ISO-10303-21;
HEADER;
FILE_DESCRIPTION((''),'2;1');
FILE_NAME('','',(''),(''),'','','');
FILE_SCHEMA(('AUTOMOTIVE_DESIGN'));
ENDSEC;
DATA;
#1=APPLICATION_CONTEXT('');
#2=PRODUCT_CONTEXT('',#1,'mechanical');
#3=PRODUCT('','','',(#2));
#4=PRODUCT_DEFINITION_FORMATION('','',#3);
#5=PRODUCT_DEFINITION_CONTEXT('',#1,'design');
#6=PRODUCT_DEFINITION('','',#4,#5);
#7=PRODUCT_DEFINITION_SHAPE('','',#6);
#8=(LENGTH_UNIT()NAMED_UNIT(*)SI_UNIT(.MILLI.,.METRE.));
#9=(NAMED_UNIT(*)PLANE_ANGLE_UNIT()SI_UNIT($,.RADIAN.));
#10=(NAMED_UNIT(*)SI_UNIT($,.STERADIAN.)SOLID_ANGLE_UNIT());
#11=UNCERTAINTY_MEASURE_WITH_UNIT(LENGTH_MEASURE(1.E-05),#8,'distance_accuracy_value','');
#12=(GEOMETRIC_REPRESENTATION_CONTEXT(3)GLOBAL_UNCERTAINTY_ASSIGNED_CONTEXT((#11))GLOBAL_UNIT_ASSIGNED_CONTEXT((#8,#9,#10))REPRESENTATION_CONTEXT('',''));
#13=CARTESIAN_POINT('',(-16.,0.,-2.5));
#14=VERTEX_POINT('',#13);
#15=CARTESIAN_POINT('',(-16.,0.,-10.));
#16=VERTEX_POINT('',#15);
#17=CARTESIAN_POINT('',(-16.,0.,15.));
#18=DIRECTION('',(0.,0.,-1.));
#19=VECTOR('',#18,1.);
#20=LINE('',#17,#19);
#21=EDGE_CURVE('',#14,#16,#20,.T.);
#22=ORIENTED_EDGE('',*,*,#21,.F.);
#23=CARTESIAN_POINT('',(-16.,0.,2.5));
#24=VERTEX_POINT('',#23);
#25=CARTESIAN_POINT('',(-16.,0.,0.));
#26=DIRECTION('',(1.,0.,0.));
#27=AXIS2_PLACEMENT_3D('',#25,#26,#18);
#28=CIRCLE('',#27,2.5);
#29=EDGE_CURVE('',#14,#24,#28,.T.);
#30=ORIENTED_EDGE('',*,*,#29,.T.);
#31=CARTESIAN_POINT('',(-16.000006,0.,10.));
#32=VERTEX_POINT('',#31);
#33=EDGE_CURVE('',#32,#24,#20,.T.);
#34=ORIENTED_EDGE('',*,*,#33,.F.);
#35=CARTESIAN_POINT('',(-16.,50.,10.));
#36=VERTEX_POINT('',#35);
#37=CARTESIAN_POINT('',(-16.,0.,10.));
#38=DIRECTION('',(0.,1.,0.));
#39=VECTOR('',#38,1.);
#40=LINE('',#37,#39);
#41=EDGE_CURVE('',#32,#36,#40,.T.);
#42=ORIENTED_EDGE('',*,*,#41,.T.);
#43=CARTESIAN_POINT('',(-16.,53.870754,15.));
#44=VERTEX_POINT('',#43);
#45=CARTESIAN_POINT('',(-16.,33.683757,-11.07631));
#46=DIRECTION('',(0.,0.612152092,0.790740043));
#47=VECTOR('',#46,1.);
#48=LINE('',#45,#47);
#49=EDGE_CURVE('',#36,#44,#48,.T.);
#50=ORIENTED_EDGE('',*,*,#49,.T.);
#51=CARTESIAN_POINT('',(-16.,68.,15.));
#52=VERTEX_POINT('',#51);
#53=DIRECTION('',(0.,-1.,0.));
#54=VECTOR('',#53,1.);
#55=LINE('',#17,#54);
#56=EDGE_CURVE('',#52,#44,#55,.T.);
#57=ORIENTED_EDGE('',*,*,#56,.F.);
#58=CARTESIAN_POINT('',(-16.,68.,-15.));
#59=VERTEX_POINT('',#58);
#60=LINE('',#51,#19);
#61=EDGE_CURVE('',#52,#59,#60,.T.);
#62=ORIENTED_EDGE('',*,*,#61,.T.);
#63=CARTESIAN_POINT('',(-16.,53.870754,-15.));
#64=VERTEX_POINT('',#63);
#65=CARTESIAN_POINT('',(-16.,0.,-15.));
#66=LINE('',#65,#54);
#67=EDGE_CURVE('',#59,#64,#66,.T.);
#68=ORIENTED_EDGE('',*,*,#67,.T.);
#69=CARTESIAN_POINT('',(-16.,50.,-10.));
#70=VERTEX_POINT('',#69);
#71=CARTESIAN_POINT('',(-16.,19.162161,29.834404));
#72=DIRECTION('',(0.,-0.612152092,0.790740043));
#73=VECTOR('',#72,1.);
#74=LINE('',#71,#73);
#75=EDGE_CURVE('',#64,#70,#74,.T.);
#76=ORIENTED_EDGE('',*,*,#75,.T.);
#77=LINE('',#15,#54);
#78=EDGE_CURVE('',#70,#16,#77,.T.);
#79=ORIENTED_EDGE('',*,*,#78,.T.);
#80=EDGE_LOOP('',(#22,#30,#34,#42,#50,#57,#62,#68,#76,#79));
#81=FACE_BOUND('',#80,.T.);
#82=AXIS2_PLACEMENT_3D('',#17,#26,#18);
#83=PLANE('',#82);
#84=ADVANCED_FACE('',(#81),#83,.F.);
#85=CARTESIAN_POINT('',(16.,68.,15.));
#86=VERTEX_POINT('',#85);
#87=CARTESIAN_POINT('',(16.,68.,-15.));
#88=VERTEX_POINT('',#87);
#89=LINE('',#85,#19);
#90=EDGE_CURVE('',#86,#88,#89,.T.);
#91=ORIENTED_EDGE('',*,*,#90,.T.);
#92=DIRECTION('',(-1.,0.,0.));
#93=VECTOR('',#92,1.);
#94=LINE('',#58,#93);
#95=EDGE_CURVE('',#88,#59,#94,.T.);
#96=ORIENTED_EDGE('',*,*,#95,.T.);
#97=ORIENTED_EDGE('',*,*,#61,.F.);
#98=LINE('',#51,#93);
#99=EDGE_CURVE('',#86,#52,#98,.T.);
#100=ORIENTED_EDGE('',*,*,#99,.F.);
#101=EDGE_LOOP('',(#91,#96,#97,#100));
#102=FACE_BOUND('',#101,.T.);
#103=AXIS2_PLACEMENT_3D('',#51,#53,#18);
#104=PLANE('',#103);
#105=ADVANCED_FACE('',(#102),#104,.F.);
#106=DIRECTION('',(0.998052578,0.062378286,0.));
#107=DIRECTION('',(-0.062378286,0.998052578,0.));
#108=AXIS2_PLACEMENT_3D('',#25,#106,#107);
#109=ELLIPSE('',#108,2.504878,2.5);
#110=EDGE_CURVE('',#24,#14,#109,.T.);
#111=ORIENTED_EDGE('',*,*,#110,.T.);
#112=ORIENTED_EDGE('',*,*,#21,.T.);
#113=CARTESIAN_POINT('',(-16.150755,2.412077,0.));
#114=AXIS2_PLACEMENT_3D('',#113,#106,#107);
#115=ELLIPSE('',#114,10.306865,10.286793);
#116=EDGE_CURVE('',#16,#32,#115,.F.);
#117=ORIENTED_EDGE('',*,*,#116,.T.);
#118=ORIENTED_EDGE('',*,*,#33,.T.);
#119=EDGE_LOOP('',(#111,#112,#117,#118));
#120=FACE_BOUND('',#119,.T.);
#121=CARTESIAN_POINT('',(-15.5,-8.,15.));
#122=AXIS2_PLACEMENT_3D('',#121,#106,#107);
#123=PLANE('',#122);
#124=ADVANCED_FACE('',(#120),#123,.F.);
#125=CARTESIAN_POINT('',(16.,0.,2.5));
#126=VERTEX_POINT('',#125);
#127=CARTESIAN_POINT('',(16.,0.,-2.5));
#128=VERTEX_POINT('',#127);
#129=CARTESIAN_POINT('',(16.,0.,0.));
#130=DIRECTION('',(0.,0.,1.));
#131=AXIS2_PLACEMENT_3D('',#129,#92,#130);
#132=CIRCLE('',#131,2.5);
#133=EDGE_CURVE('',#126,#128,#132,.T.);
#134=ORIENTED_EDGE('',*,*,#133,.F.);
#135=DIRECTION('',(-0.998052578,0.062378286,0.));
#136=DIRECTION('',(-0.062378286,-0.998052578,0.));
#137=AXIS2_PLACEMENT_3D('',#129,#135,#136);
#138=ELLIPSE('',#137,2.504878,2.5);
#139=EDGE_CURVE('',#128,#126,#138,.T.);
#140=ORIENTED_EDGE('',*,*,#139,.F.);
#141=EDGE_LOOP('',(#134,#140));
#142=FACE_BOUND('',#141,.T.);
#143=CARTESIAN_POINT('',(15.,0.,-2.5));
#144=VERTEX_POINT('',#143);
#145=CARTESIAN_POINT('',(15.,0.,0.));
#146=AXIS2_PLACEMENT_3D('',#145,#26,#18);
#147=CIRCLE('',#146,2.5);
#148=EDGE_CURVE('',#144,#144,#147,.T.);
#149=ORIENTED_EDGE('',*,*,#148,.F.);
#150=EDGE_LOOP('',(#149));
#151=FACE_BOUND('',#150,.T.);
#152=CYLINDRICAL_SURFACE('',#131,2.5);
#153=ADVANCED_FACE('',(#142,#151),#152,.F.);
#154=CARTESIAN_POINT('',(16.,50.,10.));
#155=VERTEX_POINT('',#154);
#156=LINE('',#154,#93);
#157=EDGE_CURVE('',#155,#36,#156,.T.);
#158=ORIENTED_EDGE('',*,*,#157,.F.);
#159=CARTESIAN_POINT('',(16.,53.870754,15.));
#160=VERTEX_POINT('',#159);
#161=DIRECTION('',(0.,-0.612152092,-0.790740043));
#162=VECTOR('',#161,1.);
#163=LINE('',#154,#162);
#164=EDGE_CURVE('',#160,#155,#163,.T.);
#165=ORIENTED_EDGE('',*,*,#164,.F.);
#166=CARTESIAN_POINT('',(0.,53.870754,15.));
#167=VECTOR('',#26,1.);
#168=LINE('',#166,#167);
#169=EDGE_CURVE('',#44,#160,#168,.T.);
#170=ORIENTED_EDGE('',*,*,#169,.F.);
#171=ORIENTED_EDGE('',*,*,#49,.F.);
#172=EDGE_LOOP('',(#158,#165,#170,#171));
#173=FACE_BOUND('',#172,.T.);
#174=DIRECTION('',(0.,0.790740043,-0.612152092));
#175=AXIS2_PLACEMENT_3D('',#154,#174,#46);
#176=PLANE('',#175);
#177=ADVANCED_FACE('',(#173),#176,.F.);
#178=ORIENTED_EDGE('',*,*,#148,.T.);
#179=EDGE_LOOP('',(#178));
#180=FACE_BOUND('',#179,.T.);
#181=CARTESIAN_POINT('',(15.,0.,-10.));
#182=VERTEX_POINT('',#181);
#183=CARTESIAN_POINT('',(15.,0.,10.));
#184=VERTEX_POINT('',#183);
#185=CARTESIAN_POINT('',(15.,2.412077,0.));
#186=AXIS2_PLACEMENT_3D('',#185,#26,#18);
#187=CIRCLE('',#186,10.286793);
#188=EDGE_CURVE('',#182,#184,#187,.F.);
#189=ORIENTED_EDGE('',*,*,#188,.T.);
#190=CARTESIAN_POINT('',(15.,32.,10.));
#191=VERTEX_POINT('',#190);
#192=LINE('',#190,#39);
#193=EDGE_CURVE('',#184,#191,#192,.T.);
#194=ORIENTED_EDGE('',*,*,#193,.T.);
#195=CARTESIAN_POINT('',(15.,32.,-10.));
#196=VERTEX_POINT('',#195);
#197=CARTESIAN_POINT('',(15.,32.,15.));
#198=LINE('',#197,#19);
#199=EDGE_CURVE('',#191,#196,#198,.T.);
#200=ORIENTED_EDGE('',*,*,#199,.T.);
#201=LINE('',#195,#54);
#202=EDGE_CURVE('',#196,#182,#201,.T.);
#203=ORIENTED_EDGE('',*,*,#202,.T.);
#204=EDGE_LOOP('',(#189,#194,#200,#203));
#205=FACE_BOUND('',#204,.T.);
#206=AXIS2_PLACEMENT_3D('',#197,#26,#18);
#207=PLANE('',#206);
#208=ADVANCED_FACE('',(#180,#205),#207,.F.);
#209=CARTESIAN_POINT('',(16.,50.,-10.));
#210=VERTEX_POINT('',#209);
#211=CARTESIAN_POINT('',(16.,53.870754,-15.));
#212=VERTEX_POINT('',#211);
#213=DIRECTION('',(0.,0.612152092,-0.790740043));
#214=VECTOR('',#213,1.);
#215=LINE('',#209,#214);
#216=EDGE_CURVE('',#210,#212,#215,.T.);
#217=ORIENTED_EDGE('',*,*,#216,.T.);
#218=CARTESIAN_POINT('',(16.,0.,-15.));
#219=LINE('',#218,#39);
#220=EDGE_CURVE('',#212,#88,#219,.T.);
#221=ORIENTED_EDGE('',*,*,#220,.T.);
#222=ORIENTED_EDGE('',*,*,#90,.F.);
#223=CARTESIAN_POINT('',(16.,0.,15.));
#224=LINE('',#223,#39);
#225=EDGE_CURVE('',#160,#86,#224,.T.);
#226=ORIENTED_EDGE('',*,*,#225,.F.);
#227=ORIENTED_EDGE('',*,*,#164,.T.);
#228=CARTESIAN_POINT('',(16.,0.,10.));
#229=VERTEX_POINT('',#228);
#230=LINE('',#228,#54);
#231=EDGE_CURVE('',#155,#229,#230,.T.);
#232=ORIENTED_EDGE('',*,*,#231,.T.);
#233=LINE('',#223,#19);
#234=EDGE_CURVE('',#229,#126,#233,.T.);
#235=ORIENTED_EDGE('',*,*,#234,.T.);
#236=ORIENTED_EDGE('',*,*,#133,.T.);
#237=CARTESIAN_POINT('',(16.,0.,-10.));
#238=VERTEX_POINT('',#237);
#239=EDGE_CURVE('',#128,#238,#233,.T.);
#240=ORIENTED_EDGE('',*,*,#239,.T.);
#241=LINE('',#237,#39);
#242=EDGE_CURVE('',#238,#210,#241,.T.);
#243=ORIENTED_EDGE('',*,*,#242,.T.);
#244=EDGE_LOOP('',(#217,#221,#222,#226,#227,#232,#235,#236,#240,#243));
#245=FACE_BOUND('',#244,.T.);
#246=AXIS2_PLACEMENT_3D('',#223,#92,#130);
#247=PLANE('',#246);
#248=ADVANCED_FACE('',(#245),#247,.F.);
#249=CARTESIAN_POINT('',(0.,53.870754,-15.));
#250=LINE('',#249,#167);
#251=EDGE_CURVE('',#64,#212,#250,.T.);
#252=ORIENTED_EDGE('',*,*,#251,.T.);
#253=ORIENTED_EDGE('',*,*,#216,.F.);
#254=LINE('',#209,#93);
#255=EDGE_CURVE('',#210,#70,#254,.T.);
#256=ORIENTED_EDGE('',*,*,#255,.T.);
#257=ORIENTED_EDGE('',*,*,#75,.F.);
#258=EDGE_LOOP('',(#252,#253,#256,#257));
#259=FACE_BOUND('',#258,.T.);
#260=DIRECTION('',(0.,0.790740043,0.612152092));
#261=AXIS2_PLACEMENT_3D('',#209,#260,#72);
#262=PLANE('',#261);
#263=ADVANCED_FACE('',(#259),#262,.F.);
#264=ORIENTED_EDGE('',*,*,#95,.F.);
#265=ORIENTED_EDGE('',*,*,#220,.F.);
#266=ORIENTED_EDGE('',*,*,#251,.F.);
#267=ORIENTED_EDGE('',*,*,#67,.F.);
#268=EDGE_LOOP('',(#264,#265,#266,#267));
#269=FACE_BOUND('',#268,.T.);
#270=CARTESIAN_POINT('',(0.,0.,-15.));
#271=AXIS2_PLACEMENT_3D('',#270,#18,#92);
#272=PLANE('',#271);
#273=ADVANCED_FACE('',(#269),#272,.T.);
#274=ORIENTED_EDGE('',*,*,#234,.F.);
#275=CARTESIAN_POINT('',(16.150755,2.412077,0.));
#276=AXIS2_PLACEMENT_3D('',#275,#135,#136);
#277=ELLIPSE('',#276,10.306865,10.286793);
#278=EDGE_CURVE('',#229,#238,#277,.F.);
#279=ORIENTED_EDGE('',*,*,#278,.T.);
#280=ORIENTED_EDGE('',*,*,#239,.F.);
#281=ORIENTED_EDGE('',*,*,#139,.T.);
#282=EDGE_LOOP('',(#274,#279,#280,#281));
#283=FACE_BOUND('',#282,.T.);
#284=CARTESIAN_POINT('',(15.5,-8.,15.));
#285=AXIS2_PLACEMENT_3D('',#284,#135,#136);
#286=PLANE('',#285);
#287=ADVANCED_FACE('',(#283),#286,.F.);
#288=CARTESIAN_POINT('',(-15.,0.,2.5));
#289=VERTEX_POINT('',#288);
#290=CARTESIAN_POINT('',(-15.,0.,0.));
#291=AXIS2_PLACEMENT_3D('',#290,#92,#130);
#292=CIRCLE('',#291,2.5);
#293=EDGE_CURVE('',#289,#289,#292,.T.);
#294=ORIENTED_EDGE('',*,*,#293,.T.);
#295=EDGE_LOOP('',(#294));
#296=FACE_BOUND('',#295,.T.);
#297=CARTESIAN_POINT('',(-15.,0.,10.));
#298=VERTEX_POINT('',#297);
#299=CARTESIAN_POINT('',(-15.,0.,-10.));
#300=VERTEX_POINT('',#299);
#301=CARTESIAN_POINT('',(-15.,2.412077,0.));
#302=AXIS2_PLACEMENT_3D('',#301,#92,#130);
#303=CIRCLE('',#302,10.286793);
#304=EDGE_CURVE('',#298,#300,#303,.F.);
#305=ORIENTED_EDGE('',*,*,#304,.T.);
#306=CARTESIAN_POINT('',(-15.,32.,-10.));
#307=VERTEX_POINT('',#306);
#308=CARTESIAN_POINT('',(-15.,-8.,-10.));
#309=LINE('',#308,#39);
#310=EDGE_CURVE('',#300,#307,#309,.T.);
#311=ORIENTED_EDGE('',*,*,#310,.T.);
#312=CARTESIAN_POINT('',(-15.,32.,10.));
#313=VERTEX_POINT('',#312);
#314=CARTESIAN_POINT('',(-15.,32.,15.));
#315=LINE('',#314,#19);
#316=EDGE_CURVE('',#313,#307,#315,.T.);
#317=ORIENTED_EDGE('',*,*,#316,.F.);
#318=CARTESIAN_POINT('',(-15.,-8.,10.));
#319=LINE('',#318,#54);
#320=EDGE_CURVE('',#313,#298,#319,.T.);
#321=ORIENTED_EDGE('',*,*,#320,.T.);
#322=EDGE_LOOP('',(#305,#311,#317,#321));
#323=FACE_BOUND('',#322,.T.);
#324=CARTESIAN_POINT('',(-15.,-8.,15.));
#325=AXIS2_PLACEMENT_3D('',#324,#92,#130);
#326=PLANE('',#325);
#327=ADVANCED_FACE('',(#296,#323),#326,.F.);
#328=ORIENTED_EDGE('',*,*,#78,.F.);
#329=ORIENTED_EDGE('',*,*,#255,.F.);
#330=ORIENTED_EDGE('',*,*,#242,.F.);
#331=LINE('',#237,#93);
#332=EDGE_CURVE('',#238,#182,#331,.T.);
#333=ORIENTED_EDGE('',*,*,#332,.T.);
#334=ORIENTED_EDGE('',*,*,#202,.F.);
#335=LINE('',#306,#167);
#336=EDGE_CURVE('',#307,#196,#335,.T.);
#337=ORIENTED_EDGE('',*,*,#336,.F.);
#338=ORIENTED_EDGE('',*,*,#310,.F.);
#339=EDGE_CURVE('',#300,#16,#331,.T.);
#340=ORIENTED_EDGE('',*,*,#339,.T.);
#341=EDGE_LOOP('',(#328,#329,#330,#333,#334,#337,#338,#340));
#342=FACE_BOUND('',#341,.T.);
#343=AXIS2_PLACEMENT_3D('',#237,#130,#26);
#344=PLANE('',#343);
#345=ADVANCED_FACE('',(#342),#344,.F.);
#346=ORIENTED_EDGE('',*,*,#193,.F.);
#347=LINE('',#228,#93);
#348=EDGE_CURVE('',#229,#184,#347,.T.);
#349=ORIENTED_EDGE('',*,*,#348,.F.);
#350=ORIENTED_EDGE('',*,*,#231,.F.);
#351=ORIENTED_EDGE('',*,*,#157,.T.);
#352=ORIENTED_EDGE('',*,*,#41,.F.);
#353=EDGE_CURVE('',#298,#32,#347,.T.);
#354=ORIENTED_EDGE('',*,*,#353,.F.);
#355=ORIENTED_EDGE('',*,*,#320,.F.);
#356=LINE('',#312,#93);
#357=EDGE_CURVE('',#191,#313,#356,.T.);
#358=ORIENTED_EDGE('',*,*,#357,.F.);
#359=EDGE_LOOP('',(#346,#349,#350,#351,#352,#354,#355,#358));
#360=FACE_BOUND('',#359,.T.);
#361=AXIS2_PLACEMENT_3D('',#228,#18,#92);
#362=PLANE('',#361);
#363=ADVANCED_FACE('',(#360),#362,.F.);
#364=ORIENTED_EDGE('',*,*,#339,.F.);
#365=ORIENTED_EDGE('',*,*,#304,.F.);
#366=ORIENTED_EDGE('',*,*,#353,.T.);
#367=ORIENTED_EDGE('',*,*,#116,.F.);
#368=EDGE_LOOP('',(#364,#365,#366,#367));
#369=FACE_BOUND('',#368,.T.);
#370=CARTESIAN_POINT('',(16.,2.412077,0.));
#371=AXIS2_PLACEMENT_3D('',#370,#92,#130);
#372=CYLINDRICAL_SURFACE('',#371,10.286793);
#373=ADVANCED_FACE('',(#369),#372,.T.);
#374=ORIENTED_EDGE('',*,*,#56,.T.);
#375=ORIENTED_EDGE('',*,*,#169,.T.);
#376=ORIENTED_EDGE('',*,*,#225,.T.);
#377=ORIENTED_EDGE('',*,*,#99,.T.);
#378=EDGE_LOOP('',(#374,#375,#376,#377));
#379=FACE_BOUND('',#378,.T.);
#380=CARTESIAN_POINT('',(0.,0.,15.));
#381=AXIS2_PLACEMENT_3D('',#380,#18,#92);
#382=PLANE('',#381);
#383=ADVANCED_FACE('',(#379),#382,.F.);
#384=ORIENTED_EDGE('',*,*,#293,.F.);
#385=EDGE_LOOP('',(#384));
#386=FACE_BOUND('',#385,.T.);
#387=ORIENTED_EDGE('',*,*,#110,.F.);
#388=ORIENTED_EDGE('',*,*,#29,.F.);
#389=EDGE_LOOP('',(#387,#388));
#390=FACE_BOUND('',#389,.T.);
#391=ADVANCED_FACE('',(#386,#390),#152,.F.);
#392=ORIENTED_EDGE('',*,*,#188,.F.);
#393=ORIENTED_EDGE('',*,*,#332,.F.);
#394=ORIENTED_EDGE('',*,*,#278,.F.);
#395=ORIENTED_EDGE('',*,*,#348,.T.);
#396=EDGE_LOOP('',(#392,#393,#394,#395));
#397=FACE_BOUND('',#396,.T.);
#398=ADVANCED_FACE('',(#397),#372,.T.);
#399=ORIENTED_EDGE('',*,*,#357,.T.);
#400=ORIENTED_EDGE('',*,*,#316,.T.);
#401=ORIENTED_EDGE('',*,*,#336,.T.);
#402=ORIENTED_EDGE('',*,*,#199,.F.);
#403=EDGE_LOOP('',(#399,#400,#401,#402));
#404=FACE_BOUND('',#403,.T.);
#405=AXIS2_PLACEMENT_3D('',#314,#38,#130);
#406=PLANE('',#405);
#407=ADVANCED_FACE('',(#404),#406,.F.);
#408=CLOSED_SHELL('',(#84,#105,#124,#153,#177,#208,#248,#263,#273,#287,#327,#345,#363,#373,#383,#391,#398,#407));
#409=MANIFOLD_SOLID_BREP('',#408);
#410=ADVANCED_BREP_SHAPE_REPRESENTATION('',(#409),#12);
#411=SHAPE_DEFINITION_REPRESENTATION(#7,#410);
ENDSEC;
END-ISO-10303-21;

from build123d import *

# Parameters (mm, degrees)
BOSS_EXTRUDE1_DEPTH     = 15
CUT_EXTRUDE1_DEPTH      = 77.635500912
CUT_EXTRUDE1_DEPTH_BACK = 77.635500912
SKETCH3_R               = 2.5


with BuildPart() as part:
    # Sketch1 → Boss-Extrude1 (new, symmetric)
    with BuildSketch(Plane.XY):
        Polygon((-15, -8), (-15, 32), (15, 32), (15, -8), (15.5, -8), (16, 0), (16, 68), (-16, 68), (-16, 0), (-15.5, -8), align=None)
    extrude(amount=BOSS_EXTRUDE1_DEPTH, both=True)

    # Sketch3 → Cut-Extrude1 (cut, two sides: drawn at the far end of the back side and taken through both)
    with BuildSketch(Plane.ZY.offset(16).offset(-CUT_EXTRUDE1_DEPTH_BACK)):
        Circle(SKETCH3_R)
        with BuildLine():
            Line((-10, 0), (-10, 50))
            Line((-10, 50), (-16.325920345, 54.897216738))
            Line((-16.325920345, 54.897216738), (-25.192820329, 54.897216738))
            Line((-25.192820329, 54.897216738), (-25.192820329, -12.983802327))
            Line((-25.192820329, -12.983802327), (26.325920345, -12.983802327))
            Line((26.325920345, -12.983802327), (26.325920345, 54.897216738))
            Line((26.325920345, 54.897216738), (16.325920345, 54.897216738))
            Line((16.325920345, 54.897216738), (10, 50))
            Line((10, 50), (10, 0))
            ThreePointArc((10, 0), (0, -7.874716557), (-10, 0))
        make_face()
    extrude(amount=CUT_EXTRUDE1_DEPTH + CUT_EXTRUDE1_DEPTH_BACK, mode=Mode.SUBTRACT)


solid = part.part
